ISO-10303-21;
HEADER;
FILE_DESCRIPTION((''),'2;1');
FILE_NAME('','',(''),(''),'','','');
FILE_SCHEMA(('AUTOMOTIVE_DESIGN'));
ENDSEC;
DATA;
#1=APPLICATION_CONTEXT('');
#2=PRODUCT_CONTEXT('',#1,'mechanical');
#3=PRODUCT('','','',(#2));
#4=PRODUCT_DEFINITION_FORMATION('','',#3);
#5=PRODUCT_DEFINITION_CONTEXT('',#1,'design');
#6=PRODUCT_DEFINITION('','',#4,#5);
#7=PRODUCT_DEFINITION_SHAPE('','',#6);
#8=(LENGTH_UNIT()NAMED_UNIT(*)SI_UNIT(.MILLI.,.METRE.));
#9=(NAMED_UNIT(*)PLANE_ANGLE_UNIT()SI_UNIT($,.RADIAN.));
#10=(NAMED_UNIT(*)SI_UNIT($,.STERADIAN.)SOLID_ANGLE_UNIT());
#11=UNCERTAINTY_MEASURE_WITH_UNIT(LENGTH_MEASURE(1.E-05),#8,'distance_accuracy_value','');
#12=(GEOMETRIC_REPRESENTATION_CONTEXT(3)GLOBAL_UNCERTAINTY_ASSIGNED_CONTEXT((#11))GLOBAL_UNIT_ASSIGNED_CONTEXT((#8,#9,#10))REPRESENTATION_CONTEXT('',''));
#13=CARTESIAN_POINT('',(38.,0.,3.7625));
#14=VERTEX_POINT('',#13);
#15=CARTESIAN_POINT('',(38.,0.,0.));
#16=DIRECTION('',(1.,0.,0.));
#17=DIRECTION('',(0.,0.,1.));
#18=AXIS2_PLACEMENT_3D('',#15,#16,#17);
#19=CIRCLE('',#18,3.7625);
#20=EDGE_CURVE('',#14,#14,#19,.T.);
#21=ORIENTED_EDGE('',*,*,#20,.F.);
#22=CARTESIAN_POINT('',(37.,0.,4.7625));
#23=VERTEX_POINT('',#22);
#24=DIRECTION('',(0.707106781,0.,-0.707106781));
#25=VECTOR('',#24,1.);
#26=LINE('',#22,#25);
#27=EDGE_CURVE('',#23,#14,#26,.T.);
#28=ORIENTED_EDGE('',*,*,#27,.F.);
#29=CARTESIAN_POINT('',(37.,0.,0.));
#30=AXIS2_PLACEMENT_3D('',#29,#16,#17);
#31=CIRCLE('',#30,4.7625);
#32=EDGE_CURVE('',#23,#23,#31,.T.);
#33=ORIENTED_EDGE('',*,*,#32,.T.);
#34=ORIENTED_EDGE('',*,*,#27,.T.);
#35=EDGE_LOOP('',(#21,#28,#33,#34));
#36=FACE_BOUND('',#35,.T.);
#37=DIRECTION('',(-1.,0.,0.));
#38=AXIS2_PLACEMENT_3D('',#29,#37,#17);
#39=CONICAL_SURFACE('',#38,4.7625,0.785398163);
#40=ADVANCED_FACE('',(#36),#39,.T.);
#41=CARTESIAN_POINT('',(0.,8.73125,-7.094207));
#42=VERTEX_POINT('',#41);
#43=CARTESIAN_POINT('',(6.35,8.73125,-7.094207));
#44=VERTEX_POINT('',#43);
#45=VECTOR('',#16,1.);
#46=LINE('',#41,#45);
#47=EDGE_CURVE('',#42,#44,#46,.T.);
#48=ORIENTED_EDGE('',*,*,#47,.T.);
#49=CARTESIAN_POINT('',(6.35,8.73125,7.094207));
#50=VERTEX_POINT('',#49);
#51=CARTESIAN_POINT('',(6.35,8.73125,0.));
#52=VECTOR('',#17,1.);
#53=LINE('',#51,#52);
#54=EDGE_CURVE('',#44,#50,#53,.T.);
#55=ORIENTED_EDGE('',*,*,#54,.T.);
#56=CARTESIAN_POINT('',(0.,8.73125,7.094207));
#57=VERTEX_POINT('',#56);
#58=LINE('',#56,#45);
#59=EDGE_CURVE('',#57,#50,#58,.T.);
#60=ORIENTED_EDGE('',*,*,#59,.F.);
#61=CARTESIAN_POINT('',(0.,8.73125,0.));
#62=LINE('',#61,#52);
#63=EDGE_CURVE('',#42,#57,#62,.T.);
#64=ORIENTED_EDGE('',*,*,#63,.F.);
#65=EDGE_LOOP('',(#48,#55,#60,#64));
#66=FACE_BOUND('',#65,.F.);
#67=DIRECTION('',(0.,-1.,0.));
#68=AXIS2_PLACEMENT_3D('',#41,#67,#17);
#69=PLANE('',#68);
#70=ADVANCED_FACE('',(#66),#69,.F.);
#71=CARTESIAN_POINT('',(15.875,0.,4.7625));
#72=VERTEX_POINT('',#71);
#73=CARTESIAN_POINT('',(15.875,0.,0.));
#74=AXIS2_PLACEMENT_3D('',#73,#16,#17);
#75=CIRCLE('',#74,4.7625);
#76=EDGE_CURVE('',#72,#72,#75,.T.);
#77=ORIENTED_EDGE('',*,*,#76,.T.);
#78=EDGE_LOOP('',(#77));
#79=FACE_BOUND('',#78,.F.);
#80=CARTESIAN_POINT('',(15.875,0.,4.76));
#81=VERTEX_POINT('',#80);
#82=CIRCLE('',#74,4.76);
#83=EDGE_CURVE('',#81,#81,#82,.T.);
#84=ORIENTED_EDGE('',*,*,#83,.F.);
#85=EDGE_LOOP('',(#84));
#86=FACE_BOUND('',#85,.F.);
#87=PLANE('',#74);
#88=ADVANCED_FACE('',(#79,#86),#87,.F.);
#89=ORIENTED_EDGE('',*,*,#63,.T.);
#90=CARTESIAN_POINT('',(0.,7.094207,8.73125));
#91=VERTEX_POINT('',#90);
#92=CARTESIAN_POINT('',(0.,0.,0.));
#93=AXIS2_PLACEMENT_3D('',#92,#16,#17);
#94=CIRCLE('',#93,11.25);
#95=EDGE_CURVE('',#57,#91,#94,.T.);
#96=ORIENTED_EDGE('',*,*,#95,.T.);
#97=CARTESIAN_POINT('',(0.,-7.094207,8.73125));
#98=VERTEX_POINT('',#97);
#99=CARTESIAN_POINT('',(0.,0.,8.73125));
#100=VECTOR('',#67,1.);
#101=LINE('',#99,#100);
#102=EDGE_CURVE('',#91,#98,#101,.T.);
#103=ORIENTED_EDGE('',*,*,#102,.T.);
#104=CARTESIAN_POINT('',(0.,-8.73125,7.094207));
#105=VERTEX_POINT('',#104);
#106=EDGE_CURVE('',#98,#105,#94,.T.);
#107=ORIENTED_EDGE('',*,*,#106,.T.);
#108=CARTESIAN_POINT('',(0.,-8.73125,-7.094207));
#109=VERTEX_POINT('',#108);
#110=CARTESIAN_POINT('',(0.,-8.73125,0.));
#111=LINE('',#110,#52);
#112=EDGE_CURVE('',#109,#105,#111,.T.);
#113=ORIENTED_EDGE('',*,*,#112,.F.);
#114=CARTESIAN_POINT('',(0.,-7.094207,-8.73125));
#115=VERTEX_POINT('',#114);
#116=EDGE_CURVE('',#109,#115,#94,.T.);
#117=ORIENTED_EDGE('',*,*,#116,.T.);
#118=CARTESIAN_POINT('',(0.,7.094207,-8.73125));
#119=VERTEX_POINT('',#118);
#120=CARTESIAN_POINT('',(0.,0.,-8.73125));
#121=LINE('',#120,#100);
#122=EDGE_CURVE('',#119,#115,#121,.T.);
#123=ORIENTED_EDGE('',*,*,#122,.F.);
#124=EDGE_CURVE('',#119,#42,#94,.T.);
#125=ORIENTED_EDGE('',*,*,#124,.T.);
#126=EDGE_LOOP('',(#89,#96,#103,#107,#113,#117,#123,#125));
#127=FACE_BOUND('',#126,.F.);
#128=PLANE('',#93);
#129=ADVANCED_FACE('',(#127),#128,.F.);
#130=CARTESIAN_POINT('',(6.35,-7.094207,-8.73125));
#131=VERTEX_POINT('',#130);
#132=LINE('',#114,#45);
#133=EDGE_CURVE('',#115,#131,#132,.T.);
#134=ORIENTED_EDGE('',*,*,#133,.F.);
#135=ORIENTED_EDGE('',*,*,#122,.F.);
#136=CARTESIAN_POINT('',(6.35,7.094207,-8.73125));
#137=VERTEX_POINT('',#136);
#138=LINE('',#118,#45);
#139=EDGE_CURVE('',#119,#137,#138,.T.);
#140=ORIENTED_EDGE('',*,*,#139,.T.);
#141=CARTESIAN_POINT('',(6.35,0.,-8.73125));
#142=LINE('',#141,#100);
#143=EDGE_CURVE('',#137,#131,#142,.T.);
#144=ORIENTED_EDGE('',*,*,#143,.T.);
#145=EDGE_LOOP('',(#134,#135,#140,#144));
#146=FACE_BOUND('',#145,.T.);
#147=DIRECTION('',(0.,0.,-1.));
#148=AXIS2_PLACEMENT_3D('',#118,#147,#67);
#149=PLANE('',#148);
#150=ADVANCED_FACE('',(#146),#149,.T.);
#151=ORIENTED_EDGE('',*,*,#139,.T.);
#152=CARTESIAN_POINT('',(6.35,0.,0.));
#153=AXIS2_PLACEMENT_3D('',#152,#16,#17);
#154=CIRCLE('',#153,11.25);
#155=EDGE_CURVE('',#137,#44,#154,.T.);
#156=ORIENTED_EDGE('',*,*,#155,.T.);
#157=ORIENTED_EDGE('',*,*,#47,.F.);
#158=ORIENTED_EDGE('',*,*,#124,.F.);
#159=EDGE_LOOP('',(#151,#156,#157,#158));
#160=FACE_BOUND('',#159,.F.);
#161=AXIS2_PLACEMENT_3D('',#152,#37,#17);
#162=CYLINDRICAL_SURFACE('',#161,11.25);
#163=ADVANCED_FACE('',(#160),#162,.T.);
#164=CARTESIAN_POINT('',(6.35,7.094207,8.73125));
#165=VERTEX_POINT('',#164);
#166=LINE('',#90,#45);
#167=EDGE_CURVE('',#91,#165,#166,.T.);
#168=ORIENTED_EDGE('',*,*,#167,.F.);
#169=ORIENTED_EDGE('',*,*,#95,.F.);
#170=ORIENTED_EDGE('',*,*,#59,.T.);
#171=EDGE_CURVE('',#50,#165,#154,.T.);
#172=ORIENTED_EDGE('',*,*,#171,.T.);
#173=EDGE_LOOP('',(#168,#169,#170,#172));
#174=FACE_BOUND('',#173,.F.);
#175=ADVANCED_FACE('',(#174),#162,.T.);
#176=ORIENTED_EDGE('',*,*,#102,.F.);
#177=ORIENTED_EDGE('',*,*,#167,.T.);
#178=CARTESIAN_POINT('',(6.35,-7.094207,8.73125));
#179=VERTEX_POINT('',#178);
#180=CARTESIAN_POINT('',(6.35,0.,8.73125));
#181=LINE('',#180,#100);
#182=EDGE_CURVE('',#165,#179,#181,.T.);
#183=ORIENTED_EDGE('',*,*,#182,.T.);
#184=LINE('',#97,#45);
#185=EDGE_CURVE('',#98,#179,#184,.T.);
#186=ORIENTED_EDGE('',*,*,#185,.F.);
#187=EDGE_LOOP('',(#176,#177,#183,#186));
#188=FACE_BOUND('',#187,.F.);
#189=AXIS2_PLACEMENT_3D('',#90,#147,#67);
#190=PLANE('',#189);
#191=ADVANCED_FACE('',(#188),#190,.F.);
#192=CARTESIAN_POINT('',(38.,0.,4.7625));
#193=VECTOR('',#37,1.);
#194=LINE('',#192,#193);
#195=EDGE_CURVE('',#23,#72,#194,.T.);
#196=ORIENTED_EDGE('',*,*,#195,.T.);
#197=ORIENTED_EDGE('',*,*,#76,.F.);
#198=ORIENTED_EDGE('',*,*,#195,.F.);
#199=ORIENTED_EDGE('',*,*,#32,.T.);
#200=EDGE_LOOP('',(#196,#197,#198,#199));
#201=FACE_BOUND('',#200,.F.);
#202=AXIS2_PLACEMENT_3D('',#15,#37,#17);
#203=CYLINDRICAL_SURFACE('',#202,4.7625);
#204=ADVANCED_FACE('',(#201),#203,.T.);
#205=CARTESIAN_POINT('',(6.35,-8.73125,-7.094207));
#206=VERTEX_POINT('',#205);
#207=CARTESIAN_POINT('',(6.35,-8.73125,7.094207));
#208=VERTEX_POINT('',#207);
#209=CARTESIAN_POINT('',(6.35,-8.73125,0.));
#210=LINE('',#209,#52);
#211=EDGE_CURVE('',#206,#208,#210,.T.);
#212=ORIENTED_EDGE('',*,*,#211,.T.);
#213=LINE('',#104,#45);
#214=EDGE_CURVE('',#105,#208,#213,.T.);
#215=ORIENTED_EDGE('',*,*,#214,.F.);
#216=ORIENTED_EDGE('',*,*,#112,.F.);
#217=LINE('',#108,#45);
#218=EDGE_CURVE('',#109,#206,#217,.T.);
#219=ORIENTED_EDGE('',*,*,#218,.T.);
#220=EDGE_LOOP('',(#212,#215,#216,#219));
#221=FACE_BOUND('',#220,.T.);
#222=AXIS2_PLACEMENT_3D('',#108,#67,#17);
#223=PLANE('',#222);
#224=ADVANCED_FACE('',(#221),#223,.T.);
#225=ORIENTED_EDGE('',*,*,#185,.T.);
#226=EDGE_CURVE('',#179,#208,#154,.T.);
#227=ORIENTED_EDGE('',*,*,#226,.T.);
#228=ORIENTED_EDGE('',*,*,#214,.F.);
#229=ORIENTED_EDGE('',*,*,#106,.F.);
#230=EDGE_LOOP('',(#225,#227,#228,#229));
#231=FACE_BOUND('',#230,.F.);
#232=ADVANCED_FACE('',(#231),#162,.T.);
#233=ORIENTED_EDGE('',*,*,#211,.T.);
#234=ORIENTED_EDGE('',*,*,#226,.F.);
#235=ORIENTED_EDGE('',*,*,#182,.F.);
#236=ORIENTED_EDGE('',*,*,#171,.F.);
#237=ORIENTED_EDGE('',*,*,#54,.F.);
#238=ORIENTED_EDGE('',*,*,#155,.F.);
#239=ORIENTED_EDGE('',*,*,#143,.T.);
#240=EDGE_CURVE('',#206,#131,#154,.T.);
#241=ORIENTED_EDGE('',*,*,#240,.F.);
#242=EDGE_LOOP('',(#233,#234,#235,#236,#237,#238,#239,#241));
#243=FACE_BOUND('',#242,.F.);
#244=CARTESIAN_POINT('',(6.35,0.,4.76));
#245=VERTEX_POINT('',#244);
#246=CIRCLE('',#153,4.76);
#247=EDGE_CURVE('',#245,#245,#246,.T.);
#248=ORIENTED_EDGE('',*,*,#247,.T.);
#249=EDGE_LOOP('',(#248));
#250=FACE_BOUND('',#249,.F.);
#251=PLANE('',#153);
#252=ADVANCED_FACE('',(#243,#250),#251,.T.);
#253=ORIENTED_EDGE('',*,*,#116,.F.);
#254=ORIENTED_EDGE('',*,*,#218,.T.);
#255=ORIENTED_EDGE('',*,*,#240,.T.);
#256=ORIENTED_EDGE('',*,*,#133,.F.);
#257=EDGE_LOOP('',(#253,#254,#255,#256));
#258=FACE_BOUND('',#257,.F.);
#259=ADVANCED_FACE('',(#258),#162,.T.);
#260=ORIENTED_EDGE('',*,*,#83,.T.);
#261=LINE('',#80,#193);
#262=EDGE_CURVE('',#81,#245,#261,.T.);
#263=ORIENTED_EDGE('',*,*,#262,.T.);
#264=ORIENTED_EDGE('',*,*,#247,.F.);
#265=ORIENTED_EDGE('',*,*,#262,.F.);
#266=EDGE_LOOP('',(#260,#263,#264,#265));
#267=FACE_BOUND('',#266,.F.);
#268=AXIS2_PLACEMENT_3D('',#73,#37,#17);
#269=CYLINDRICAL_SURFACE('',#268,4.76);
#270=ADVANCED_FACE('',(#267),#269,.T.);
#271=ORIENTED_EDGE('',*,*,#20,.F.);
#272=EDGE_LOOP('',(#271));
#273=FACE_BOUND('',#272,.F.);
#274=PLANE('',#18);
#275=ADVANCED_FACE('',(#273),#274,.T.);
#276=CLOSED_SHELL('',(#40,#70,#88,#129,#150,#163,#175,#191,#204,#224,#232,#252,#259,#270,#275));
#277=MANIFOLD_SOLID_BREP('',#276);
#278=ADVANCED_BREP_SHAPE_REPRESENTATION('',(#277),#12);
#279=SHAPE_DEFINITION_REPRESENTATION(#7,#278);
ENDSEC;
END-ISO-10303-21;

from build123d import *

# Parameters (mm, degrees)
F2_W     = 2.51875
F2_H     = 14.188414
F2_W_2   = 14.188414
F2_H_2   = 2.51875
F3_DEPTH = 6.35
F4_SIZE  = 1


with BuildPart() as f1:
    # F0 (on Front) → F1 (revolve)
    with BuildSketch(Plane.XZ):
        Polygon((0, 11.25), (0, 0), (38, 0), (38, 4.7625), (15.875, 4.7625), (15.875, 4.76), (6.35, 4.76), (6.35, 11.25), align=None)
    revolve(axis=Axis((19, 0, 0), (1, 0, 0)))

    # F2 (on face) → F3 (cut, through all)
    with BuildSketch(Plane(origin=(0, 0, 0), x_dir=(0, -1, 0), z_dir=(-1, 0, 0))):
        with Locations((-9.990625, 0)):
            Rectangle(F2_W, F2_H)
        with Locations((9.990625, 0)):
            Rectangle(F2_W, F2_H)
        with Locations((0, 9.990625)):
            Rectangle(F2_W_2, F2_H_2)
        with Locations((0, -9.990625)):
            Rectangle(F2_W_2, F2_H_2)
    extrude(amount=-F3_DEPTH, mode=Mode.SUBTRACT)

    # F4
    f4_edges = [f1.edges().sort_by_distance(p)[0] for p in [
        (38, 0, -4.7625),
    ]]
    chamfer(f4_edges, length=F4_SIZE)


solid = f1.part
